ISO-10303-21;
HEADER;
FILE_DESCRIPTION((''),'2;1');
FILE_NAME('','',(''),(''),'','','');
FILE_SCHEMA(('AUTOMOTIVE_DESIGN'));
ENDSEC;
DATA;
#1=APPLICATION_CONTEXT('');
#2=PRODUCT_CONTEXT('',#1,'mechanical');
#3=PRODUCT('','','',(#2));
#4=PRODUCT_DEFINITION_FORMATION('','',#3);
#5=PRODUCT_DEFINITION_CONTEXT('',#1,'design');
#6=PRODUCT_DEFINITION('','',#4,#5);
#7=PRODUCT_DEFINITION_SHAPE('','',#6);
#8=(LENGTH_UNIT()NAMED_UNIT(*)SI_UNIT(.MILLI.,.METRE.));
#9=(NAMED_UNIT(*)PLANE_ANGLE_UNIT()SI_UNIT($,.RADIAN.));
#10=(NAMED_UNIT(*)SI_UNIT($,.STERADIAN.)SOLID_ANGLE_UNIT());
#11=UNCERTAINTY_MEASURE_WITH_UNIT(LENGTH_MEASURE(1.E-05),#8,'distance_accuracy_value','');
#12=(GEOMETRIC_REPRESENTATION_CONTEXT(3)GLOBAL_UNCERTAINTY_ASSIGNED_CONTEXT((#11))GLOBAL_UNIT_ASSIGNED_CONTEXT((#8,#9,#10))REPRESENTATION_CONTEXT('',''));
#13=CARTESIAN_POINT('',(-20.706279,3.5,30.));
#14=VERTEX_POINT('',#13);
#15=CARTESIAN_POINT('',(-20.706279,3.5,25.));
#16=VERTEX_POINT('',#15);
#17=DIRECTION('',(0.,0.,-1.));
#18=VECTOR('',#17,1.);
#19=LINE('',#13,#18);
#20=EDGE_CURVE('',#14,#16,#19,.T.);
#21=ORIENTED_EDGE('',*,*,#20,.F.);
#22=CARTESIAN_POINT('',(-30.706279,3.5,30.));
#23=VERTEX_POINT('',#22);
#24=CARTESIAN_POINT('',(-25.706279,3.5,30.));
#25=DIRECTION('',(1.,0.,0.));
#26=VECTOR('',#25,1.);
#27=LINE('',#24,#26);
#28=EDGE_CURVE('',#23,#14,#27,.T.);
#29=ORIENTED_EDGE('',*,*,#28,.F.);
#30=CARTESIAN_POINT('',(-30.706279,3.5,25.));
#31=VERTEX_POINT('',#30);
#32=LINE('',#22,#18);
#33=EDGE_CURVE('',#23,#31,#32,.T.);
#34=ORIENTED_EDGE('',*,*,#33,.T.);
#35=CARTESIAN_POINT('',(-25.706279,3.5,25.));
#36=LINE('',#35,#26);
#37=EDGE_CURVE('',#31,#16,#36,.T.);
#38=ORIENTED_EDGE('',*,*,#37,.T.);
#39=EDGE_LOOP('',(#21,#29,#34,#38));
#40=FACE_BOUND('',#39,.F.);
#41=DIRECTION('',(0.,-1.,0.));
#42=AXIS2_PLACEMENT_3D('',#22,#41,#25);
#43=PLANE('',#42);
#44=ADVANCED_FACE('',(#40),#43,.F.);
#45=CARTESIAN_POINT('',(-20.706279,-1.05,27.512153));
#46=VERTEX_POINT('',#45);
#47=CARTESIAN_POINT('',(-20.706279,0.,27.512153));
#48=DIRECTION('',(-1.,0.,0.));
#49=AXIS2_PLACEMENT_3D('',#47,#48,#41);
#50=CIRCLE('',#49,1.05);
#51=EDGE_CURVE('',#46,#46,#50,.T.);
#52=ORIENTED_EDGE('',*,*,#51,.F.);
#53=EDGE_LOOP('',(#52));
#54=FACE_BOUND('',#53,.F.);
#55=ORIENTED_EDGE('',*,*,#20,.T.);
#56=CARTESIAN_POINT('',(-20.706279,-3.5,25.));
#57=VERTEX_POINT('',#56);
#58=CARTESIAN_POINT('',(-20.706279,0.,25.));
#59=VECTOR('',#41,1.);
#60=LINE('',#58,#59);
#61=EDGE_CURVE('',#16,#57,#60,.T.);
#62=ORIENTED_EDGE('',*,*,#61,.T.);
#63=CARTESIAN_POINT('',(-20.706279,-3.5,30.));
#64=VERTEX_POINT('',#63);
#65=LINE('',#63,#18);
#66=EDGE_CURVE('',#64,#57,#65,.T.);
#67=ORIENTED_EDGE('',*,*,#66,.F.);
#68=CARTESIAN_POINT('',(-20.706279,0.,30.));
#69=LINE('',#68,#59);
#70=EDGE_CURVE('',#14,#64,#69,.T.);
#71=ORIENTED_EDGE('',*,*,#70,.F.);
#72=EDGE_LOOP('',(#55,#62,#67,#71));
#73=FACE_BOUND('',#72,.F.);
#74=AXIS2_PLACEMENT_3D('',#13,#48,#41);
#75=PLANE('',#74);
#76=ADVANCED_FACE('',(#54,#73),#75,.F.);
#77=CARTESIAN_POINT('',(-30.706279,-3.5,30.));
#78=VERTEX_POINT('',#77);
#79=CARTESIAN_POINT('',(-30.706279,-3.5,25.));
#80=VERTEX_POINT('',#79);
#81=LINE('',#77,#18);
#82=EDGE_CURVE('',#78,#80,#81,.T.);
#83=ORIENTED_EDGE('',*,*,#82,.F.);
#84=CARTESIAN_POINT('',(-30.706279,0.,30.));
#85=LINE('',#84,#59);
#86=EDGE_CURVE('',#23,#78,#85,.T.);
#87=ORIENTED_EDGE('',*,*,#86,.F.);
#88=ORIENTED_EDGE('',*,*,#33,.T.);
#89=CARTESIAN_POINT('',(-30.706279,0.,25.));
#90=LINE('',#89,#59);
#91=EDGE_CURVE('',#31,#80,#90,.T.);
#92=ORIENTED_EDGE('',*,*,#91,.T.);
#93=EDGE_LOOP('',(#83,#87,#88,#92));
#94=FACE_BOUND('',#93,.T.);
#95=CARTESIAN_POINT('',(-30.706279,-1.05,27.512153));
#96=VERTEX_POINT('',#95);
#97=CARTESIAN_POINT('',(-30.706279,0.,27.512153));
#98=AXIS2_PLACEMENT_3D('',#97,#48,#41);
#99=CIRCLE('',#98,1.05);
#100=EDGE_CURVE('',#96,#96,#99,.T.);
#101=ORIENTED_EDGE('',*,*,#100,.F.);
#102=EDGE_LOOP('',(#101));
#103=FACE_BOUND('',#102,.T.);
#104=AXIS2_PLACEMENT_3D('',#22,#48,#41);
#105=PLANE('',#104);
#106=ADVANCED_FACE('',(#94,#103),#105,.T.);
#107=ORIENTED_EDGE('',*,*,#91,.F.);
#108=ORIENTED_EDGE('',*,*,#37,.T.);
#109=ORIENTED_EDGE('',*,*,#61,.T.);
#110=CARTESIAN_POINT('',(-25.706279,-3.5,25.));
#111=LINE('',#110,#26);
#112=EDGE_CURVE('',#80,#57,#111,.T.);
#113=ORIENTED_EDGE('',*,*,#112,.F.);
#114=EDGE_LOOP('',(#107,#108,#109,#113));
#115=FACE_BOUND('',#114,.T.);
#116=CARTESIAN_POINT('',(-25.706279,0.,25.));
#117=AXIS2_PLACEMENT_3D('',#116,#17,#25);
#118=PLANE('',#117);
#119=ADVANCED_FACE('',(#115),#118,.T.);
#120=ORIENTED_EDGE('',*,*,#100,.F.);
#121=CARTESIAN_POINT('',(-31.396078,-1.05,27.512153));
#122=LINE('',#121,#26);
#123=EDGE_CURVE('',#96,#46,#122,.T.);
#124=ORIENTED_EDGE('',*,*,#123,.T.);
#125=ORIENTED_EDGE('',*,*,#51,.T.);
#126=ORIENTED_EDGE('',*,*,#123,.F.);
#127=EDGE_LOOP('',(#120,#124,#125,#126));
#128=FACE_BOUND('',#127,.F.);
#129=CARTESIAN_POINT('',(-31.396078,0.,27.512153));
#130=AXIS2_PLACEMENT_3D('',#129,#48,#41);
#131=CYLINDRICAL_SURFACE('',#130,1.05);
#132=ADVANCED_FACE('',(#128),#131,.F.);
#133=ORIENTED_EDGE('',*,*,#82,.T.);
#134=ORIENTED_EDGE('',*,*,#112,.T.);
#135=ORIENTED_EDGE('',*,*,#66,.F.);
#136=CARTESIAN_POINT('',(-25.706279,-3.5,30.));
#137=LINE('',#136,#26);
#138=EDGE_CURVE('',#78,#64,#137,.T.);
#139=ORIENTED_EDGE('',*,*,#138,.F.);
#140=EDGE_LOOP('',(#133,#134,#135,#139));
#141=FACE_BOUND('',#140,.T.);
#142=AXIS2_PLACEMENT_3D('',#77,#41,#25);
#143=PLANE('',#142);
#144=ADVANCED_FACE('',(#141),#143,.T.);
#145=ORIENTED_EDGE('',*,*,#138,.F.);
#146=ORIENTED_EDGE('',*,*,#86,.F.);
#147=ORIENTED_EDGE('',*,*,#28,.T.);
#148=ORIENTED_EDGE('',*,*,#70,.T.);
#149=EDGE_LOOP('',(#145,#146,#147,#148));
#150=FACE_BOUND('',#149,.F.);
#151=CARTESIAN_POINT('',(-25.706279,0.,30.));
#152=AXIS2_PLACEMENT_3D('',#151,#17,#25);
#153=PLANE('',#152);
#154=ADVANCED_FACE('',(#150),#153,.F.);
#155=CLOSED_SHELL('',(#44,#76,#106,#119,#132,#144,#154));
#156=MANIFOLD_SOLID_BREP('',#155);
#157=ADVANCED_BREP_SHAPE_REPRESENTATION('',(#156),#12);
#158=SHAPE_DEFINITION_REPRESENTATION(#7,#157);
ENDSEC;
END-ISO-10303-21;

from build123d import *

# Parameters (mm, degrees)
SKETCH007_R      = 1.05
EXTRUDE006_DEPTH = 20
SKETCH009_W      = 10
SKETCH009_H      = 7
EXTRUDE007_DEPTH = 5


with BuildPart() as extrude006:
    # Sketch007 → Extrude006 (new body)
    with BuildSketch(Plane(origin=(-30.396078, 0, 0), x_dir=(0, -1, 0), z_dir=(-1, 0, 0))):
        with Locations((0, 27.512153)):
            Circle(SKETCH007_R)
    extrude(amount=-EXTRUDE006_DEPTH)


with BuildPart() as extrude006_1:
    # Extrude006 placement: moved
    add(extrude006.part.moved(Location((-1, 0, 0))))


with BuildPart() as cut001:
    # Sketch009 (on Face4 of Cut) → Extrude007 (new body)
    with BuildSketch(Plane(origin=(0, 0, 30), x_dir=(1, 0, 0), z_dir=(0, 0, -1))):
        with Locations((-25.706279, 0)):
            Rectangle(SKETCH009_W, SKETCH009_H)
    extrude(amount=EXTRUDE007_DEPTH)

    # Cut001: cut Extrude006
    add(extrude006_1.part, mode=Mode.SUBTRACT)


solid = cut001.part
